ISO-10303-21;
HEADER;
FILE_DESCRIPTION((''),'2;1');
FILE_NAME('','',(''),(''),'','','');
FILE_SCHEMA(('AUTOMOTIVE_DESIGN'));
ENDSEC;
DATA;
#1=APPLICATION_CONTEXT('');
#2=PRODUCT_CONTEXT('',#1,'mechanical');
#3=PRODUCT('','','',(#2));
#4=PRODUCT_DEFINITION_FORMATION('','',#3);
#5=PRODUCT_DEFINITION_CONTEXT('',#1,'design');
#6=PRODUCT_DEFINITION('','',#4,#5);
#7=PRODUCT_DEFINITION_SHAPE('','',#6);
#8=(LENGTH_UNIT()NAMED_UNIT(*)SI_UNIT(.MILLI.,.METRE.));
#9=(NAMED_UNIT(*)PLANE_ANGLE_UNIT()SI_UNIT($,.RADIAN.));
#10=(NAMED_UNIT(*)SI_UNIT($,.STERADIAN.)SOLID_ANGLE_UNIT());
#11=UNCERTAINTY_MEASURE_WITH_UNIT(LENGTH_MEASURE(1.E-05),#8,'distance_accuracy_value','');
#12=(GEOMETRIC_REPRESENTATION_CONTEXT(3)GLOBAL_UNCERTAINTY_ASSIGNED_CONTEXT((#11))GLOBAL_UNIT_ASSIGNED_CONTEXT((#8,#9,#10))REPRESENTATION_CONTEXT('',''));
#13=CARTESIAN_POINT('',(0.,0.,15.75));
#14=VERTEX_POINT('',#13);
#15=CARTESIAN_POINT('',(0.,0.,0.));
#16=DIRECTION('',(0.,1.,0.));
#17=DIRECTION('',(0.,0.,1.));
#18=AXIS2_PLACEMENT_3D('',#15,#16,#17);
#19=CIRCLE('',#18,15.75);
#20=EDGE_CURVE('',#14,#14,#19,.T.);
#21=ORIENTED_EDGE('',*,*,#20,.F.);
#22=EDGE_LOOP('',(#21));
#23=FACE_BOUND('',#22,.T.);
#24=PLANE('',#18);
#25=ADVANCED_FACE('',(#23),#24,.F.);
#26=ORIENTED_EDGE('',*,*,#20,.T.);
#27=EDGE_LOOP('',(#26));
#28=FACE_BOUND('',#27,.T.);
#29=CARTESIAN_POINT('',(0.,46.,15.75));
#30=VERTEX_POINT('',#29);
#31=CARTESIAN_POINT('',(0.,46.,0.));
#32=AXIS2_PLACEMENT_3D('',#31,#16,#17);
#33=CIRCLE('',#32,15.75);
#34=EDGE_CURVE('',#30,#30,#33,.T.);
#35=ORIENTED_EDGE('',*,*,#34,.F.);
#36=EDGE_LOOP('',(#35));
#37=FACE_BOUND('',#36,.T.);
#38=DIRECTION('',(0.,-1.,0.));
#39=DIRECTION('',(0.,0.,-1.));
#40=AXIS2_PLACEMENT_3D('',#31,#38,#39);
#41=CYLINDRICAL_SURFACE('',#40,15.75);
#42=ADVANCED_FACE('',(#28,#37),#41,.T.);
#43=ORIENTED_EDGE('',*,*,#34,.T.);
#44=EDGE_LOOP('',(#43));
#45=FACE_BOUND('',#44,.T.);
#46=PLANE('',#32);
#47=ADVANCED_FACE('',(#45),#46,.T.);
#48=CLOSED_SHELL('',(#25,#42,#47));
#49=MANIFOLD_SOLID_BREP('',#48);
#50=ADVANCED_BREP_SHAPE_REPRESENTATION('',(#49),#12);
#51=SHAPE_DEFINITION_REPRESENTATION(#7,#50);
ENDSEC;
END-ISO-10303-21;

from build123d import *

# Parameters (mm, degrees)
SKETCH1_R           = 15.75
BOSS_EXTRUDE1_DEPTH = 46


with BuildPart() as part:
    # Sketch1 → Boss-Extrude1 (new body)
    with BuildSketch(Plane(origin=(0, 0, 0), x_dir=(1, 0, 0), z_dir=(0, 1, 0))):
        Circle(SKETCH1_R)
    extrude(amount=BOSS_EXTRUDE1_DEPTH)


solid = part.part
